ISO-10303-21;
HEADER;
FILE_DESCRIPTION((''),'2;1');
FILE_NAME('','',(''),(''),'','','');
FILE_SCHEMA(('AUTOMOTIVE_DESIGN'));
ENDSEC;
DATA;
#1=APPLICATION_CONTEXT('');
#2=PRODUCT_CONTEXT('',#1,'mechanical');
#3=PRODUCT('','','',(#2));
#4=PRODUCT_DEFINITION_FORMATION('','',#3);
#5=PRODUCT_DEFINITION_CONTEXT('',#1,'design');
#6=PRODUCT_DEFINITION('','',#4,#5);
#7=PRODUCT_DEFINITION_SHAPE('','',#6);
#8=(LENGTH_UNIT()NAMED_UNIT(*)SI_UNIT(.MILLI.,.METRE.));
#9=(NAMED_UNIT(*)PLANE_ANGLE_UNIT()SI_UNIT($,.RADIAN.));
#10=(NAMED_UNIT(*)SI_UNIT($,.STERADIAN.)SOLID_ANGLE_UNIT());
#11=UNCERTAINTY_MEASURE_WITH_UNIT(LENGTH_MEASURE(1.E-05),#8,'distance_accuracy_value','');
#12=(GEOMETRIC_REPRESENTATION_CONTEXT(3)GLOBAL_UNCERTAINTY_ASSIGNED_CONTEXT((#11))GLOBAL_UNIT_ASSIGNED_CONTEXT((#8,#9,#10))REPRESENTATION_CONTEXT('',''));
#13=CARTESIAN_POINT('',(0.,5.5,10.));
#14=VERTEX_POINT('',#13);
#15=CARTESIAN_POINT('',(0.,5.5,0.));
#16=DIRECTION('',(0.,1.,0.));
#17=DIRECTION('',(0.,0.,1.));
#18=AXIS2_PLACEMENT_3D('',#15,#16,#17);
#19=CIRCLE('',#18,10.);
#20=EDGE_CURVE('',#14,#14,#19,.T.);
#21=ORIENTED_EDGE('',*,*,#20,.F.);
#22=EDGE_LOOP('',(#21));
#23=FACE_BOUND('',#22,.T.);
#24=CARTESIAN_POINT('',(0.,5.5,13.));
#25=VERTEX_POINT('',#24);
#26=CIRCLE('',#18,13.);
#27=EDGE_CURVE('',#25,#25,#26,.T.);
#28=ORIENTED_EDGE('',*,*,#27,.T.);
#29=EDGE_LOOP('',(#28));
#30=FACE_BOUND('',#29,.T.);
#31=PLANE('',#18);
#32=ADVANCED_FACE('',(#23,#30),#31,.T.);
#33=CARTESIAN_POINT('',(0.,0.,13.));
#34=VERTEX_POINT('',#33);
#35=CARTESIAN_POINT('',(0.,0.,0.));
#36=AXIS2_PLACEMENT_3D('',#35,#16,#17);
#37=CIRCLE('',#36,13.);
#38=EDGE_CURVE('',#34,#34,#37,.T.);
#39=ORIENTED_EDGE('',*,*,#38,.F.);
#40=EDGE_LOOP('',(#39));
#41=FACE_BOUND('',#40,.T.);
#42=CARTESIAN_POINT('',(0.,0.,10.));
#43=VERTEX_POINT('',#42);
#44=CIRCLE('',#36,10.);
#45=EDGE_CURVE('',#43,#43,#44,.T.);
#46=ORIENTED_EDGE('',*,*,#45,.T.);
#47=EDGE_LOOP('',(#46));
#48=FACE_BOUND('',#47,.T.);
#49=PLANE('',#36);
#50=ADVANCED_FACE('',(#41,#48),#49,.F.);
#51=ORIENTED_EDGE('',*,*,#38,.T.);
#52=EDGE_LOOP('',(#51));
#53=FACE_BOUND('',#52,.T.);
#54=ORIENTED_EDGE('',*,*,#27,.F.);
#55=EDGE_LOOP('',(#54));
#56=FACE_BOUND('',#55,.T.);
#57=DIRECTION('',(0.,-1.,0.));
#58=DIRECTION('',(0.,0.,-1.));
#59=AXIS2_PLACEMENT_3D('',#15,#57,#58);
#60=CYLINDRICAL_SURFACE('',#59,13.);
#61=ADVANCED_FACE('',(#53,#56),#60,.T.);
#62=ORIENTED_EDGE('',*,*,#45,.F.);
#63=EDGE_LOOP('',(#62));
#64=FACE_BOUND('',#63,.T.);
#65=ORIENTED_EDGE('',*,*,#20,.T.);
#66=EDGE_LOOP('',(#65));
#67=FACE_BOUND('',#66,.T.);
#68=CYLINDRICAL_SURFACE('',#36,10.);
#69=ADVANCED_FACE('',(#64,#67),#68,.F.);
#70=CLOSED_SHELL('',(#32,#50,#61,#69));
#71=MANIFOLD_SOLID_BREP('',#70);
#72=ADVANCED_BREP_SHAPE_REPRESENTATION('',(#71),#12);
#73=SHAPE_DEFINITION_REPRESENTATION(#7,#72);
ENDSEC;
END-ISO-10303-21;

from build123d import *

# Parameters (mm, degrees)
SKETCH_1_R          = 13
EXTRUDE_1_DEPTH     = 5.5
SKETCH_2_R          = 10
CUT_EXTRUDE_1_DEPTH = 5.5


with BuildPart() as part:
    # 草图1 → 凸台-拉伸1 (new body)
    with BuildSketch(Plane(origin=(0, 0, 0), x_dir=(1, 0, 0), z_dir=(0, 1, 0))):
        with Locations(Location((0, 0, 0), (0, 0, 270))):
            Circle(SKETCH_1_R)
    extrude(amount=EXTRUDE_1_DEPTH)

    # 草图2 → 切除-拉伸1 (cut)
    with BuildSketch(Plane(origin=(0, 5.5, 0), x_dir=(1, 0, 0), z_dir=(0, 1, 0))):
        with Locations(Location((0, 0, 0), (0, 0, 270))):
            Circle(SKETCH_2_R)
    extrude(amount=-CUT_EXTRUDE_1_DEPTH, mode=Mode.SUBTRACT)


solid = part.part
